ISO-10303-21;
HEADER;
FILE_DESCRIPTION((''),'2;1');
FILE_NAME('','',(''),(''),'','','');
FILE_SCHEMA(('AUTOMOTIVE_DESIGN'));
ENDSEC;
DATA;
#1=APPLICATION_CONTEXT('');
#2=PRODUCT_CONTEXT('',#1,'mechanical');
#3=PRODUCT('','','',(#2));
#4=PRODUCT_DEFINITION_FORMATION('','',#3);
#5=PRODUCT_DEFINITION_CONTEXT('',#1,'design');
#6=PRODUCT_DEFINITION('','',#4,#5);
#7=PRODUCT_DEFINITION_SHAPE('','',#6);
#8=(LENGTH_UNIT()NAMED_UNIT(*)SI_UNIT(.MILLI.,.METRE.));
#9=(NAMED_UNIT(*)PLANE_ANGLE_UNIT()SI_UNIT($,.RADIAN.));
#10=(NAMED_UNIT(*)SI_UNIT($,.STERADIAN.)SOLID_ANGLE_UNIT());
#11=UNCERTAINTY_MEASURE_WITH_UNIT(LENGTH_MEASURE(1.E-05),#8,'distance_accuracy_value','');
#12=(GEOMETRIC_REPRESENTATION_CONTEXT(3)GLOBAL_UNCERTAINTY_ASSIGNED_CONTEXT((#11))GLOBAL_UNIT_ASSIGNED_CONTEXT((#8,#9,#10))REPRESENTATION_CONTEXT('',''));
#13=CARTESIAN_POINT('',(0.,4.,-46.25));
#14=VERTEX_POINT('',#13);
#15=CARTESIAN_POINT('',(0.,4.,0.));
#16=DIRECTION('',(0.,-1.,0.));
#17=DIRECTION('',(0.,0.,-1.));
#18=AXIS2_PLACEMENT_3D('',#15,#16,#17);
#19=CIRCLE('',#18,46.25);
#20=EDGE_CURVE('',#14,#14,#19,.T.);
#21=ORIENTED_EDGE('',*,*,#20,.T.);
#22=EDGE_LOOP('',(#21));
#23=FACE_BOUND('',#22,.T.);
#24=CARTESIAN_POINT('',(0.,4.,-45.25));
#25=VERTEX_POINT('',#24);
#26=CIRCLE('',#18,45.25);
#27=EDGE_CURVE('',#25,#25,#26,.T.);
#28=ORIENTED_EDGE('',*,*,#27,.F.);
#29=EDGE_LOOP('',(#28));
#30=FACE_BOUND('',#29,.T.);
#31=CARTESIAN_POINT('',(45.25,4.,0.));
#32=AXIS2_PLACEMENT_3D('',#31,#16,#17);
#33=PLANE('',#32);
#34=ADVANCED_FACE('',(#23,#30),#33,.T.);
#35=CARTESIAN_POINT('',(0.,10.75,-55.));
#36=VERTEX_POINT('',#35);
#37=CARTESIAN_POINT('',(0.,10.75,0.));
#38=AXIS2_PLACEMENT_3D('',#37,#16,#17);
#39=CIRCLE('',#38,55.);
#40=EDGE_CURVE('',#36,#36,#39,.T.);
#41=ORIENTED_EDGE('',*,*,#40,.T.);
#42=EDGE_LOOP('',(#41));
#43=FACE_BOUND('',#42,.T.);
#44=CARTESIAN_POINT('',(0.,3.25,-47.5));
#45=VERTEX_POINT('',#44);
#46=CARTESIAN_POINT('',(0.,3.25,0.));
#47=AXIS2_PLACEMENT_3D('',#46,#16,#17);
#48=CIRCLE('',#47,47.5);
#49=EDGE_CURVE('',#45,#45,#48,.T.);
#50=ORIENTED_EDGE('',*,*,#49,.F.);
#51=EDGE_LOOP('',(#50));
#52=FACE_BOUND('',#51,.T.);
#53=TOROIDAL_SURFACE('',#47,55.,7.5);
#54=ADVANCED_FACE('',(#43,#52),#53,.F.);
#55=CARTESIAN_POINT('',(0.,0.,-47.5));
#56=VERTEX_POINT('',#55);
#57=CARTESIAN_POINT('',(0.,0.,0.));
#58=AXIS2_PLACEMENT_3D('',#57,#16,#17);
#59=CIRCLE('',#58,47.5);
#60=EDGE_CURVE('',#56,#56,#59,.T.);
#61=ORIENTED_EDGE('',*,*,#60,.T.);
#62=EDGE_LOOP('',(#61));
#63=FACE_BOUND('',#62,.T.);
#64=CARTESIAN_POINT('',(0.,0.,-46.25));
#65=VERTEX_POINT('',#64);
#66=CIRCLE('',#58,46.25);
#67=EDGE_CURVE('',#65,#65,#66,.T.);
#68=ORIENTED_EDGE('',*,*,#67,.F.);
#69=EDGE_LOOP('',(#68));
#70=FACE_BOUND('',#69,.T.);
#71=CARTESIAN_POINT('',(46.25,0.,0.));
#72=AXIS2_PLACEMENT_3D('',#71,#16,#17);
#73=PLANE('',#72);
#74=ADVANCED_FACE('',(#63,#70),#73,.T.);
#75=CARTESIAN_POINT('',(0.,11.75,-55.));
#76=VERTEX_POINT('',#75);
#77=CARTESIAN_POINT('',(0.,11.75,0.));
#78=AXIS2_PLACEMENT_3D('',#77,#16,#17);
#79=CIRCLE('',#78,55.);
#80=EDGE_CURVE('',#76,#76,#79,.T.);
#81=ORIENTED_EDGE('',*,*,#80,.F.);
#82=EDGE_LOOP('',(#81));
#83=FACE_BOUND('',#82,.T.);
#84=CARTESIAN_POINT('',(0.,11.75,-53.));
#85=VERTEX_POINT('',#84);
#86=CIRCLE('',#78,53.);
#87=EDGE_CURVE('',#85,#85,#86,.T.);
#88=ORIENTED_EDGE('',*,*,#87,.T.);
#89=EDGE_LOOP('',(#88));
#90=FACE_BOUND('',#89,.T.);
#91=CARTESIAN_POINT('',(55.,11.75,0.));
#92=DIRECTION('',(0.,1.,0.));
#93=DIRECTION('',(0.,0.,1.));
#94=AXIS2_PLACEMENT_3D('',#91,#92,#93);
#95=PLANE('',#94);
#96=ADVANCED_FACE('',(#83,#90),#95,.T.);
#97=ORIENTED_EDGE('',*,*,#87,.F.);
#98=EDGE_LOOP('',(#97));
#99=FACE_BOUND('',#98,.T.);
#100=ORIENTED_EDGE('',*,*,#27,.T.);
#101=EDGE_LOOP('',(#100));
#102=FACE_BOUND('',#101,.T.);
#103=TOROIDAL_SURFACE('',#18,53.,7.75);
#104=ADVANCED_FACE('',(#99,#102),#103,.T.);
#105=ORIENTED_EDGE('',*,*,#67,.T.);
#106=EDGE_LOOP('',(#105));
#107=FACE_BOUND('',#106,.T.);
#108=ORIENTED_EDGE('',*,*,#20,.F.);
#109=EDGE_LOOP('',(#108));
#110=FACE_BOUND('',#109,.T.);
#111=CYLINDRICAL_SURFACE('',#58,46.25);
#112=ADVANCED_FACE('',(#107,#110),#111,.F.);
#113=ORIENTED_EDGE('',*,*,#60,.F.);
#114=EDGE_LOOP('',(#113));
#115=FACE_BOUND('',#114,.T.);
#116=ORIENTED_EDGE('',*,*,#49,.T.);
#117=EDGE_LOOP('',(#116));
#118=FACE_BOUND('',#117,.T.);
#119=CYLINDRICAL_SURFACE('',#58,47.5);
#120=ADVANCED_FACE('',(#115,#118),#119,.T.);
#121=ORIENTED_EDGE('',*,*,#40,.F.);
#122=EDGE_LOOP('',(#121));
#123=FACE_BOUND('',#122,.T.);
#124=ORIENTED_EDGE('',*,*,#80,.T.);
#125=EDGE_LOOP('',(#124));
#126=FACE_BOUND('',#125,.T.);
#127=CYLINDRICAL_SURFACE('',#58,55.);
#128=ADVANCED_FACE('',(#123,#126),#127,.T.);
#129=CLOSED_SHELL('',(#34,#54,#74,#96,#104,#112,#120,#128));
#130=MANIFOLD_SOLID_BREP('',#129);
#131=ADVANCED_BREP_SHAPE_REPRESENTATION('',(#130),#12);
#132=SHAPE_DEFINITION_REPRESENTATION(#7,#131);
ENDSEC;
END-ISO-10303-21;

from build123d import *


with BuildPart() as part:
    # Sketch1 → Revolve1 (revolve)
    with BuildSketch(Plane.XY):
        with BuildLine():
            Line((47.5, 0), (47.5, 3.25))
            ThreePointArc((47.5, 3.25), (49.696699141, 8.553300859), (55, 10.75))
            Line((55, 10.75), (55, 11.75))
            Line((55, 11.75), (53, 11.75))
            ThreePointArc((53, 11.75), (47.519922446, 9.480077554), (45.25, 4))
            Line((45.25, 4), (46.25, 4))
            Line((46.25, 4), (46.25, 0))
            Line((46.25, 0), (47.5, 0))
        make_face()
    revolve(axis=Axis((0, 0, 0), (0, 1, 0)))


solid = part.part
